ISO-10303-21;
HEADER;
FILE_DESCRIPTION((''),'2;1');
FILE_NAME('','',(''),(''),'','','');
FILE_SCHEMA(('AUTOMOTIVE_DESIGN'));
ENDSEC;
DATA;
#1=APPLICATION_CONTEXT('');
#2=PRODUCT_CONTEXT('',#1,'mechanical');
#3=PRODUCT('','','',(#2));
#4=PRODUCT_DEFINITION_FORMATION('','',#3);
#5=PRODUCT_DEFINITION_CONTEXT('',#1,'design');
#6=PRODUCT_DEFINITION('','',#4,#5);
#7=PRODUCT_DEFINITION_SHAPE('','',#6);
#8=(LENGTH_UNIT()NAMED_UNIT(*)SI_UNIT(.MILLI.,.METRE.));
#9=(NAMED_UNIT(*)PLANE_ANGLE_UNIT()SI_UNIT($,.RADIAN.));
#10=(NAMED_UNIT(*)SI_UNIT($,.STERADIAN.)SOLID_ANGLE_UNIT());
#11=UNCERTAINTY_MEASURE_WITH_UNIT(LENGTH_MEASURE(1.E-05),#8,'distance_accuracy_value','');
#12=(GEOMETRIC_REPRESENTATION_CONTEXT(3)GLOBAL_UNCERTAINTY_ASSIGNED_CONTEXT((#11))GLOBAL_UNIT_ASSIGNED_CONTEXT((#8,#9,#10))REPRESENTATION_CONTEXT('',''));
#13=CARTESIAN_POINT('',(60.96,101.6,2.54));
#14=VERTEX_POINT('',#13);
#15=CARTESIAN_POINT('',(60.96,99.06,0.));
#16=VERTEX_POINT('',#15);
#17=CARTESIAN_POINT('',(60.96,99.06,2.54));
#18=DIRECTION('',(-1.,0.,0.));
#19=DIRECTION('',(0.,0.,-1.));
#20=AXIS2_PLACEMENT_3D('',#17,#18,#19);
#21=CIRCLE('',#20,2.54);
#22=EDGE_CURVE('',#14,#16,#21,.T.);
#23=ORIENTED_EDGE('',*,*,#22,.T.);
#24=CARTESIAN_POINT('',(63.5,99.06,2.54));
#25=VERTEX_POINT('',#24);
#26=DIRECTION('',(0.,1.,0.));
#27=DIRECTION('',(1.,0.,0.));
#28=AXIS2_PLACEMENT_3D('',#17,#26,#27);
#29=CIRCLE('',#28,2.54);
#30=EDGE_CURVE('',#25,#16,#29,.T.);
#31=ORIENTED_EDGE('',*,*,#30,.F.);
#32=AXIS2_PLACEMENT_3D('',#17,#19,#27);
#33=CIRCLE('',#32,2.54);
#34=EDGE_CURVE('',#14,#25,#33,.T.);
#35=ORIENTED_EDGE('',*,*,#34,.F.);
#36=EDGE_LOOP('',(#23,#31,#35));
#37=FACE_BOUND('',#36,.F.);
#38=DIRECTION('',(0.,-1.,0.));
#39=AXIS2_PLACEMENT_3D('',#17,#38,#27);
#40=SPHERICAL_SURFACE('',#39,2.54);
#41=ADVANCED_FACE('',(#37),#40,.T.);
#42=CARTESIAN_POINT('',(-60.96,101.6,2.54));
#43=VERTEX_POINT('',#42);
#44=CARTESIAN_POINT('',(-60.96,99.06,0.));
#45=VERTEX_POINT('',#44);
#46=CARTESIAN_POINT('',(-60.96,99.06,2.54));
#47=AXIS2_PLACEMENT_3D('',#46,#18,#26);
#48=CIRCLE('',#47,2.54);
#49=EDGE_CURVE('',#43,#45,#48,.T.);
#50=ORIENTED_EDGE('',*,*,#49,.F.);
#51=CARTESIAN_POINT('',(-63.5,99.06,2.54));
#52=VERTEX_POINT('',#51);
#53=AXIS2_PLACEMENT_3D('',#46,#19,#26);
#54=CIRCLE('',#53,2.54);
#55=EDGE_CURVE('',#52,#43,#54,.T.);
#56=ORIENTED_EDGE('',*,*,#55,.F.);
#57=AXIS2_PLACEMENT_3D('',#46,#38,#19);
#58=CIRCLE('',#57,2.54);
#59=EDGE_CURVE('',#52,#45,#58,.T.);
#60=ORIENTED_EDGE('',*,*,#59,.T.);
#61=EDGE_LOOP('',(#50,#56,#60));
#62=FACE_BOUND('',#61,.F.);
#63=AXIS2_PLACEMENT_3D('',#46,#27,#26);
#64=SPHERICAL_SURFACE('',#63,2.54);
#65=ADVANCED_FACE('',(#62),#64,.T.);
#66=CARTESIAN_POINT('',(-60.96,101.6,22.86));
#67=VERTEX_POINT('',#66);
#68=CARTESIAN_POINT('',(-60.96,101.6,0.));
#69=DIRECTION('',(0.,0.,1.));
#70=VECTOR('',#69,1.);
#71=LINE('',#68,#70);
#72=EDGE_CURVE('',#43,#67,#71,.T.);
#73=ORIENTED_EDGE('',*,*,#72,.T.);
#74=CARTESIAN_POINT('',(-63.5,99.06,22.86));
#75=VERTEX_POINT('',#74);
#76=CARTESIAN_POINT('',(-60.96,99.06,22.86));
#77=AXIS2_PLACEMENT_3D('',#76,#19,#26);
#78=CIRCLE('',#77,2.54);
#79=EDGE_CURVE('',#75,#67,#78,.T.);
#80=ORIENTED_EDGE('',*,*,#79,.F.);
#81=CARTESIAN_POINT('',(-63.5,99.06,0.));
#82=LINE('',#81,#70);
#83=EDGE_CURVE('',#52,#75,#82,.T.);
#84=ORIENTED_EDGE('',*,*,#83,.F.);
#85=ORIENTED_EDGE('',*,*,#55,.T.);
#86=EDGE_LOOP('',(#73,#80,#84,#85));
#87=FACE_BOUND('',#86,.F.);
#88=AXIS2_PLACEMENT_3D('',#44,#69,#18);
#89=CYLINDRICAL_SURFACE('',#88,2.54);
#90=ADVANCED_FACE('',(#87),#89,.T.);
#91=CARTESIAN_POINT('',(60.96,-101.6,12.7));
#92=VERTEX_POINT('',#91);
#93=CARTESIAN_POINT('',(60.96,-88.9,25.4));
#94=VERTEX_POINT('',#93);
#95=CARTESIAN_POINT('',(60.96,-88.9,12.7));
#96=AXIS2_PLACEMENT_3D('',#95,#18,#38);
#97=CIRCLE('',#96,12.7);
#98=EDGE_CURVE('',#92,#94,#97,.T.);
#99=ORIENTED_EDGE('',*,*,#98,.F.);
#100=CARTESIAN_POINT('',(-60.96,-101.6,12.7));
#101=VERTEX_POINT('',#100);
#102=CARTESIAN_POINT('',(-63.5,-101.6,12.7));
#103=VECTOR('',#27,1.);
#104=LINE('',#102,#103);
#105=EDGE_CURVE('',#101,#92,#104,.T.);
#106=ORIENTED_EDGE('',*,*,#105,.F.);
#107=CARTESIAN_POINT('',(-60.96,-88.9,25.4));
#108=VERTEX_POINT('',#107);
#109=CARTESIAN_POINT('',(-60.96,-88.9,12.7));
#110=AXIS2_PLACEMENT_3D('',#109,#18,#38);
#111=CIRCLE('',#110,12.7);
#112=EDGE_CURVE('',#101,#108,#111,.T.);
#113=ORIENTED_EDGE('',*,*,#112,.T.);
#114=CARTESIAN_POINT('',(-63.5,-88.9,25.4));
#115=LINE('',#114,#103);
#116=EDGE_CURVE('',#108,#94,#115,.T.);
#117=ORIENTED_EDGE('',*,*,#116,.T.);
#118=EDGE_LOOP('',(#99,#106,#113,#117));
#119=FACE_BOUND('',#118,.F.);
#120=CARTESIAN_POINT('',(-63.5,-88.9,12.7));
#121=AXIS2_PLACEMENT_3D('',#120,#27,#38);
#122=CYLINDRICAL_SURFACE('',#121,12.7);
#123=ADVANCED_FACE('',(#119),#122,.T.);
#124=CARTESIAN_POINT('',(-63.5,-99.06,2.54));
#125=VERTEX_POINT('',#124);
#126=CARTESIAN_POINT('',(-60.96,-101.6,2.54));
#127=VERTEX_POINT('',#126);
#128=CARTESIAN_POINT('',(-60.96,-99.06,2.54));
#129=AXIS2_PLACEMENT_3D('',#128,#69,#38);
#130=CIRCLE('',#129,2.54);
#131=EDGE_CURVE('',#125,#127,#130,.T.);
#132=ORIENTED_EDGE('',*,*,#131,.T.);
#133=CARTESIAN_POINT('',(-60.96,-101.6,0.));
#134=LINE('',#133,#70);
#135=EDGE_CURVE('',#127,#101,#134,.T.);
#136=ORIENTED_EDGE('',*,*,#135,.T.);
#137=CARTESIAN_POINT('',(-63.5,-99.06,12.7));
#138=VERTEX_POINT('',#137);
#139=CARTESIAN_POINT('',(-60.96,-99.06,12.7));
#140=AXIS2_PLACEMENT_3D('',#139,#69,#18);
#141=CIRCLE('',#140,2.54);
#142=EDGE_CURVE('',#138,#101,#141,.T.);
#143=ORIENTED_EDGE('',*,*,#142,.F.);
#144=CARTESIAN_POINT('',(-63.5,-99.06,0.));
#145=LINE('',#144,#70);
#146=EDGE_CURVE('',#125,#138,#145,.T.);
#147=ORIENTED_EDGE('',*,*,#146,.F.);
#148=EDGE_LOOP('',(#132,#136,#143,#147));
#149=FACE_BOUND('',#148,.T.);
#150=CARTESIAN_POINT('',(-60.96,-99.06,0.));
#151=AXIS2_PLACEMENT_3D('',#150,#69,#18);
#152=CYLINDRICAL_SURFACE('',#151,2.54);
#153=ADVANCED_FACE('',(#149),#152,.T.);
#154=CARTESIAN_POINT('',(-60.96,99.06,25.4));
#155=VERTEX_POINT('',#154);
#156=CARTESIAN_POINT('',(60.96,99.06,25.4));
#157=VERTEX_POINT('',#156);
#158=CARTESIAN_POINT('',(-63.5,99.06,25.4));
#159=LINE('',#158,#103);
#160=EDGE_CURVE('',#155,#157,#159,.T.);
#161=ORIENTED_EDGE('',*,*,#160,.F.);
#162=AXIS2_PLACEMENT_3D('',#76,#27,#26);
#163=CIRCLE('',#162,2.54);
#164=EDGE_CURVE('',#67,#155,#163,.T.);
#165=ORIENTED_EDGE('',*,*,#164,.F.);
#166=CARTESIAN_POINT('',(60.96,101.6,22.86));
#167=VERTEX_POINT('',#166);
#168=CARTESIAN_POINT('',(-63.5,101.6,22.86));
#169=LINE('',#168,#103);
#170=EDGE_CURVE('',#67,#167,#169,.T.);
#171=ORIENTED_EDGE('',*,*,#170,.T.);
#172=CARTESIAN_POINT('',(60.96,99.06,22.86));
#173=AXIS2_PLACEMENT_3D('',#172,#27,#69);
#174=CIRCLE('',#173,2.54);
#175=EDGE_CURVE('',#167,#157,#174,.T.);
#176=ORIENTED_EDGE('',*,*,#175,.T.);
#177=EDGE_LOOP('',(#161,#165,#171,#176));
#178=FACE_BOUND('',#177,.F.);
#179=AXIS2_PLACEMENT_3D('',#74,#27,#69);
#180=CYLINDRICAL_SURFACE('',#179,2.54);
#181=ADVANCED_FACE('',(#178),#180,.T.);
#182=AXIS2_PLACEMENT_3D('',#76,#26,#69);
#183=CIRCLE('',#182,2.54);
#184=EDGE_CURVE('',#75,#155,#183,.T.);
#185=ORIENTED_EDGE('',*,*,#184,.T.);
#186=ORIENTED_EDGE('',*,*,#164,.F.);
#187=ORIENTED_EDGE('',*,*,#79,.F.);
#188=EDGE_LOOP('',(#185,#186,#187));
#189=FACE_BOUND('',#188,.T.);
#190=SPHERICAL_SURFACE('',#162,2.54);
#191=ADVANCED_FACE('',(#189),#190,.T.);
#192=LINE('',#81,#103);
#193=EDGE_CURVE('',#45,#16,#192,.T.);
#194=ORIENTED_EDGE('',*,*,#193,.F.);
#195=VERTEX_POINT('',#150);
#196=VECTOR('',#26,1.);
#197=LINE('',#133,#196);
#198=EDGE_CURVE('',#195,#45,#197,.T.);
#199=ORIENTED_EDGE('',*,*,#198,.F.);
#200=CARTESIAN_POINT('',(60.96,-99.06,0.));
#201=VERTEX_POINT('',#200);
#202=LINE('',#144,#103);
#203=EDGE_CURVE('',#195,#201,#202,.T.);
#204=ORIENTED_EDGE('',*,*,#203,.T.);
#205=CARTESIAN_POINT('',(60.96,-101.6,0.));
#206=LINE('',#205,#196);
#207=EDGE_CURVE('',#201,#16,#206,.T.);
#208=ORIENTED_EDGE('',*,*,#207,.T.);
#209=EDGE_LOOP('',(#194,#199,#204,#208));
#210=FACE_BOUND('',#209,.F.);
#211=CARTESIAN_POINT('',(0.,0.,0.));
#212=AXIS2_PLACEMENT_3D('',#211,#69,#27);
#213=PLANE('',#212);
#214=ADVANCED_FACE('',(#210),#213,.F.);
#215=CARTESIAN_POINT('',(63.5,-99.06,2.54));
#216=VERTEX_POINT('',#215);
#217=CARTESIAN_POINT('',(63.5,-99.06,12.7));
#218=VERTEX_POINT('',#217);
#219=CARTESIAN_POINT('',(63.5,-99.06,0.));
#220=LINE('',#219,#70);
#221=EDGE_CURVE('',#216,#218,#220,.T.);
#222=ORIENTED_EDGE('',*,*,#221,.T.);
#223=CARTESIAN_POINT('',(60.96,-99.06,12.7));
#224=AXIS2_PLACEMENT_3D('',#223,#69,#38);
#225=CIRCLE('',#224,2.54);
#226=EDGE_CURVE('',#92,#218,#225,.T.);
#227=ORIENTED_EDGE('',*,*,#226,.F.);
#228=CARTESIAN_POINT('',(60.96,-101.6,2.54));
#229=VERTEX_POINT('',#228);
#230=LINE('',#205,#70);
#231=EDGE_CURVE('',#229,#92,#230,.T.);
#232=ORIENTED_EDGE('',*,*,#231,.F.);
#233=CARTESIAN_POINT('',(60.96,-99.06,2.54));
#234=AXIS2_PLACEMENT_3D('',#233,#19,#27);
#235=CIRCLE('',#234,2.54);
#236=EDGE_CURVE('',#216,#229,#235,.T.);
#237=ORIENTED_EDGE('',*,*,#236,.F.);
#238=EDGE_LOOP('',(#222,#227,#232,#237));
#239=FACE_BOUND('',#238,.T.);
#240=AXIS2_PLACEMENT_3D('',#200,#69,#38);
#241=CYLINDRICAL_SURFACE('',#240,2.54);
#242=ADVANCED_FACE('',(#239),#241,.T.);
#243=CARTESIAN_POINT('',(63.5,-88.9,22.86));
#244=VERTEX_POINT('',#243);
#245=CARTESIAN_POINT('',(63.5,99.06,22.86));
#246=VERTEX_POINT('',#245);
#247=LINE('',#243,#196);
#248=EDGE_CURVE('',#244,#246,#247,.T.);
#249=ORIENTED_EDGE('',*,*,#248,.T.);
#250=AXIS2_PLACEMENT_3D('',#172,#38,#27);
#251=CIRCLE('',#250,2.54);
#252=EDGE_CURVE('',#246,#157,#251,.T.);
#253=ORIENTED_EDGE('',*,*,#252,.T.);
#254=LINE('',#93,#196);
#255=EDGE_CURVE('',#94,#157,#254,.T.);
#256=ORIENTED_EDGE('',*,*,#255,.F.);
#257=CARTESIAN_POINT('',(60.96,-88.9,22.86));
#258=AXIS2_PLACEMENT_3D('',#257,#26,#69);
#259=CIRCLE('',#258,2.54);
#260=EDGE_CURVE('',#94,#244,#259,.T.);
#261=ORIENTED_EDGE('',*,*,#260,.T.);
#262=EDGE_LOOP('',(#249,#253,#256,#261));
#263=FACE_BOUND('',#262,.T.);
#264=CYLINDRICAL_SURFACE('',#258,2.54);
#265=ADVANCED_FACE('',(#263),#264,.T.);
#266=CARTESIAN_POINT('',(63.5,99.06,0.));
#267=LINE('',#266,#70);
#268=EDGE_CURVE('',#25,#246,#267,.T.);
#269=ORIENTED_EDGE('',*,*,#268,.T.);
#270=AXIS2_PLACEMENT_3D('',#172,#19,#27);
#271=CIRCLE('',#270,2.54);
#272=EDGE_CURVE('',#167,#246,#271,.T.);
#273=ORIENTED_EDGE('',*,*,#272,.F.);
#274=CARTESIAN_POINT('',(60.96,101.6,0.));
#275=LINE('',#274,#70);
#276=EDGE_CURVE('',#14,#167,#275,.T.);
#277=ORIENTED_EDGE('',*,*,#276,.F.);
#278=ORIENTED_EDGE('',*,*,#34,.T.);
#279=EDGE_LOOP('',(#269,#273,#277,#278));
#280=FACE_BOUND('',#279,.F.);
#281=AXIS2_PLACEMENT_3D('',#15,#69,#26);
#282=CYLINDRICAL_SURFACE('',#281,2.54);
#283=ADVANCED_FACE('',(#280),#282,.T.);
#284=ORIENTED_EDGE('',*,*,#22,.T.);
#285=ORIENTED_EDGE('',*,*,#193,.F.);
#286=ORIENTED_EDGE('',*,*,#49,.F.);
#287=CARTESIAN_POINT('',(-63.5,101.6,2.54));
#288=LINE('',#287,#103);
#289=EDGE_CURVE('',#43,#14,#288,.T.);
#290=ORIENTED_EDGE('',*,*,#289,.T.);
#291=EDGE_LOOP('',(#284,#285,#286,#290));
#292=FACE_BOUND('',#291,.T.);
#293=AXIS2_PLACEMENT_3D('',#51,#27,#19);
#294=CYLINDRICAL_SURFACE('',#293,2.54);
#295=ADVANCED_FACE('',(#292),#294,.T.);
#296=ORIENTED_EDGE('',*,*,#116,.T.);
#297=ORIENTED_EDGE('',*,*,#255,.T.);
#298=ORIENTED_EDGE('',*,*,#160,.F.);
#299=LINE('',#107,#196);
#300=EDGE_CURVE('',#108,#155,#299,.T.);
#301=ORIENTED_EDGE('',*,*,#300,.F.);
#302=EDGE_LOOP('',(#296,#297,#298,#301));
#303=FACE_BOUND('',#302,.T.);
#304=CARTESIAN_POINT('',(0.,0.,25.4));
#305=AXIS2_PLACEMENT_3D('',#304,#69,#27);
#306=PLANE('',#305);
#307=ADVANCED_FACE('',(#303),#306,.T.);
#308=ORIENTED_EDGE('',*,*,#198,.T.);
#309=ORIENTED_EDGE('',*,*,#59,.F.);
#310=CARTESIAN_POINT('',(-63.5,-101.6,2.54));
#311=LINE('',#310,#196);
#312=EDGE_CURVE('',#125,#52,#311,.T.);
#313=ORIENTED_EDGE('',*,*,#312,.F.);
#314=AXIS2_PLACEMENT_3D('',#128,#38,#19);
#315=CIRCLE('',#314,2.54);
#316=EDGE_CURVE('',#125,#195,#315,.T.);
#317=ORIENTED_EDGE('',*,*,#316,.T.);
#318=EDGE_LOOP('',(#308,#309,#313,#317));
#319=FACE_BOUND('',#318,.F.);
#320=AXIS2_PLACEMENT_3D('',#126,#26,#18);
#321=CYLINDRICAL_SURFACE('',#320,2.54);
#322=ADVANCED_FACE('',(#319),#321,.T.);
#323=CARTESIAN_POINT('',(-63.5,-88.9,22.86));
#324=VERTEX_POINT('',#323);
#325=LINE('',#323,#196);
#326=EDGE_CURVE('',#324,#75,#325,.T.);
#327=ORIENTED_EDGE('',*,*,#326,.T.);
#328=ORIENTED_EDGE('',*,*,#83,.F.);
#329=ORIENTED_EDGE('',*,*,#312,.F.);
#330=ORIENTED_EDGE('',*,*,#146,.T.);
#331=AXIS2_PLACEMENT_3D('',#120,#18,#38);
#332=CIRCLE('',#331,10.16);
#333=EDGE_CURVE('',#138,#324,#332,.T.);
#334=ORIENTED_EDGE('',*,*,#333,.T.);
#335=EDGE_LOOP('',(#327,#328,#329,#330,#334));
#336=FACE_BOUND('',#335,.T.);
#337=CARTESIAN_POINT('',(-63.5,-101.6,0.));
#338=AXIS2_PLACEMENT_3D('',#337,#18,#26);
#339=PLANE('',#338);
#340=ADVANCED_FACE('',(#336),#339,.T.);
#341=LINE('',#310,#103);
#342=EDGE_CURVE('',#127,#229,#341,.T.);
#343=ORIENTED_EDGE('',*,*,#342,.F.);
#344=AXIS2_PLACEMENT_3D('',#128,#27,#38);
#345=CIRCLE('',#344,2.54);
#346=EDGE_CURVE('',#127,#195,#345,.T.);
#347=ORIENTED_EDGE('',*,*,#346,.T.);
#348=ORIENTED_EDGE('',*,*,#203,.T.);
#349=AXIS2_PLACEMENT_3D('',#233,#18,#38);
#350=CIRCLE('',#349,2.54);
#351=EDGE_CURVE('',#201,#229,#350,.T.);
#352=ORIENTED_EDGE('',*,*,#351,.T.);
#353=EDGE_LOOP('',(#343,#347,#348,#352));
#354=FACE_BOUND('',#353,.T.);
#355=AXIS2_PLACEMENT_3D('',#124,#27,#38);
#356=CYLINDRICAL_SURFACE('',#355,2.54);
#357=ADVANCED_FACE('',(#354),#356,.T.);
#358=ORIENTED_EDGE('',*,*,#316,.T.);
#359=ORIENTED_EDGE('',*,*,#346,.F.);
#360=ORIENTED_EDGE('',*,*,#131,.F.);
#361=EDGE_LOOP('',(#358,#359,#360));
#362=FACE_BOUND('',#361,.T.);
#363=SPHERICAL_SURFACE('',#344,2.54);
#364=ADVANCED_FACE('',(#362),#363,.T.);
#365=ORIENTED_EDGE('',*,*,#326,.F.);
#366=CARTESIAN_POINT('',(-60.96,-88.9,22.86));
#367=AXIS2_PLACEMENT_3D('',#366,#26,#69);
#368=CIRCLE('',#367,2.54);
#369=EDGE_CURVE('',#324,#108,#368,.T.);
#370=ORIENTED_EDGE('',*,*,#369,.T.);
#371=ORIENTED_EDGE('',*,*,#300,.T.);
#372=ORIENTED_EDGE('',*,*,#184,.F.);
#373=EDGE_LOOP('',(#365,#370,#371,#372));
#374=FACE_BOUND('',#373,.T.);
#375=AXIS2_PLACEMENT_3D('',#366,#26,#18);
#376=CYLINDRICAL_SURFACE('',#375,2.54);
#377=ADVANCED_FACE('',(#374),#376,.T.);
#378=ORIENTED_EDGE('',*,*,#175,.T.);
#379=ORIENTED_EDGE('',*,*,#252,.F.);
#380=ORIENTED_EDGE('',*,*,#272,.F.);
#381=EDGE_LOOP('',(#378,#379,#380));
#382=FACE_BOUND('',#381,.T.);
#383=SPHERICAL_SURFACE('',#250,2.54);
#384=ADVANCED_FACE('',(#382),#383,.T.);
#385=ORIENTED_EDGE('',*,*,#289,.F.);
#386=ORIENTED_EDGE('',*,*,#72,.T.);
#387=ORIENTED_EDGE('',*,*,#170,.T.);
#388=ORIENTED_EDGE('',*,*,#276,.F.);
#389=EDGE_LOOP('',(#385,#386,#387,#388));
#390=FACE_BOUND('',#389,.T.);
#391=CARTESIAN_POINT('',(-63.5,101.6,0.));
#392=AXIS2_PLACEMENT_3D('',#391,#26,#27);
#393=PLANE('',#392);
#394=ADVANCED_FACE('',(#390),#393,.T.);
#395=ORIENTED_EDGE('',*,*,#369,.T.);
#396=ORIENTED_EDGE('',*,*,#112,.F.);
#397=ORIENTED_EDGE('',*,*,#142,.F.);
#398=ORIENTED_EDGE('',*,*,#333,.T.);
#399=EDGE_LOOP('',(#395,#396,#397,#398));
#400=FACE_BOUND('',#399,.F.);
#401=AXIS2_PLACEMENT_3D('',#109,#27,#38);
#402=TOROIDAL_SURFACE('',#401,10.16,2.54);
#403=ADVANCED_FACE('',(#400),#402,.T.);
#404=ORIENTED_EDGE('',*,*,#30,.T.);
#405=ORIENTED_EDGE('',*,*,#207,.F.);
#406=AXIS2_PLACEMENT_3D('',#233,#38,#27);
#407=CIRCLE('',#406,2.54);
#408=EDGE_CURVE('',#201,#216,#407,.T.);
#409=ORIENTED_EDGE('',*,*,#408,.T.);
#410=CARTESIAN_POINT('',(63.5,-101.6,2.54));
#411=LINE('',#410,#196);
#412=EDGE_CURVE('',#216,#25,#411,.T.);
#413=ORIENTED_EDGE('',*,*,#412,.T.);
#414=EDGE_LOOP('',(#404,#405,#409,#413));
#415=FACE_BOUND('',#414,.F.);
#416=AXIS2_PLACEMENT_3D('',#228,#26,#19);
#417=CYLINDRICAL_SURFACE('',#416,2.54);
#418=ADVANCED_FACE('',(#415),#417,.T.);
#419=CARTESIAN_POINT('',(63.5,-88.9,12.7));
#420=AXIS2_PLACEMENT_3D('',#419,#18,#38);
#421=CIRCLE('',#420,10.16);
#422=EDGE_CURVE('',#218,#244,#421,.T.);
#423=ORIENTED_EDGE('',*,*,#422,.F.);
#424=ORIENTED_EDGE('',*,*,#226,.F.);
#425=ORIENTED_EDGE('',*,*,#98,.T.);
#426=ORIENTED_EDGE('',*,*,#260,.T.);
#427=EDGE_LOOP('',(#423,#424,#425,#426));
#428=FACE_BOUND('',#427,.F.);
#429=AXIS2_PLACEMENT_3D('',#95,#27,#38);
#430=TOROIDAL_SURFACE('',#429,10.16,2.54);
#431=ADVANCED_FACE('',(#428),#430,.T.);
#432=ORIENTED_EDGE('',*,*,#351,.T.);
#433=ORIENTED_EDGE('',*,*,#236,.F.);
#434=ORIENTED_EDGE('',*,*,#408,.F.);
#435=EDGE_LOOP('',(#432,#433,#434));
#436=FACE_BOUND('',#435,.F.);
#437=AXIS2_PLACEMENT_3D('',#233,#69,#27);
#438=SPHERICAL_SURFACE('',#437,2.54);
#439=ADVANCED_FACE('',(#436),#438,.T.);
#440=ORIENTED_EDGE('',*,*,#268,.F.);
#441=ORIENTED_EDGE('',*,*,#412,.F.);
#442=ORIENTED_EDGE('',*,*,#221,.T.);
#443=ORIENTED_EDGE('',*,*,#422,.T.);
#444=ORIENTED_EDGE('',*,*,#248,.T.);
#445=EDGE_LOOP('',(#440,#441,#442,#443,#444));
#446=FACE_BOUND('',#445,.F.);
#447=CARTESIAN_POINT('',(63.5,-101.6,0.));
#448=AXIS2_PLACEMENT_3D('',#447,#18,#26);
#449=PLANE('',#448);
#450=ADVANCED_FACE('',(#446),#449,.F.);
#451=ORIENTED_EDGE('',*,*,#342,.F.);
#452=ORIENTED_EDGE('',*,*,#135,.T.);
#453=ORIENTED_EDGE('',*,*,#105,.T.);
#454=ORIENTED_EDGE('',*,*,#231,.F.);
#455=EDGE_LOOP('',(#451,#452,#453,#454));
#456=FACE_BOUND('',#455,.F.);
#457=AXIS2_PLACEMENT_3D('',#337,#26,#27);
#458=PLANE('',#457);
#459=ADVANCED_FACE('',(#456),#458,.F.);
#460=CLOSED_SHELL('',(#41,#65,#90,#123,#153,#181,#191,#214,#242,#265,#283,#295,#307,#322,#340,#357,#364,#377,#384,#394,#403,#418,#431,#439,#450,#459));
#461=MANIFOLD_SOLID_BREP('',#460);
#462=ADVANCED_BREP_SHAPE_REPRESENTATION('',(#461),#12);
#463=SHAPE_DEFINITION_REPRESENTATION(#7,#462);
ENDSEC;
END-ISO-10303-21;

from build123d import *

# Parameters (mm, degrees)
F0_W     = 127
F0_H     = 203.2
F1_DEPTH = 25.4
F2_R     = 12.7
F3_R     = 2.54


with BuildPart() as f1:
    # F0 (on Top) → F1 (new body)
    with BuildSketch(Plane.XY):
        Rectangle(F0_W, F0_H)
    extrude(amount=F1_DEPTH)

    # F2
    f2_edges = [f1.edges().sort_by_distance(p)[0] for p in [
        (0, -101.6, 25.4),
    ]]
    fillet(f2_edges, radius=F2_R)

    # F3
    f3_edges = [f1.edges().sort_by_distance(p)[0] for p in [
        (63.5, 6.35, 25.4),
        (63.5, 0, 0),
        (0, -101.6, 0),
        (63.5, 101.6, 12.7),
        (0, 101.6, 25.4),
        (0, 101.6, 0),
        (-63.5, 101.6, 12.7),
        (-63.5, 6.35, 25.4),
        (-63.5, 0, 0),
    ]]
    fillet(f3_edges, radius=F3_R)


solid = f1.part
